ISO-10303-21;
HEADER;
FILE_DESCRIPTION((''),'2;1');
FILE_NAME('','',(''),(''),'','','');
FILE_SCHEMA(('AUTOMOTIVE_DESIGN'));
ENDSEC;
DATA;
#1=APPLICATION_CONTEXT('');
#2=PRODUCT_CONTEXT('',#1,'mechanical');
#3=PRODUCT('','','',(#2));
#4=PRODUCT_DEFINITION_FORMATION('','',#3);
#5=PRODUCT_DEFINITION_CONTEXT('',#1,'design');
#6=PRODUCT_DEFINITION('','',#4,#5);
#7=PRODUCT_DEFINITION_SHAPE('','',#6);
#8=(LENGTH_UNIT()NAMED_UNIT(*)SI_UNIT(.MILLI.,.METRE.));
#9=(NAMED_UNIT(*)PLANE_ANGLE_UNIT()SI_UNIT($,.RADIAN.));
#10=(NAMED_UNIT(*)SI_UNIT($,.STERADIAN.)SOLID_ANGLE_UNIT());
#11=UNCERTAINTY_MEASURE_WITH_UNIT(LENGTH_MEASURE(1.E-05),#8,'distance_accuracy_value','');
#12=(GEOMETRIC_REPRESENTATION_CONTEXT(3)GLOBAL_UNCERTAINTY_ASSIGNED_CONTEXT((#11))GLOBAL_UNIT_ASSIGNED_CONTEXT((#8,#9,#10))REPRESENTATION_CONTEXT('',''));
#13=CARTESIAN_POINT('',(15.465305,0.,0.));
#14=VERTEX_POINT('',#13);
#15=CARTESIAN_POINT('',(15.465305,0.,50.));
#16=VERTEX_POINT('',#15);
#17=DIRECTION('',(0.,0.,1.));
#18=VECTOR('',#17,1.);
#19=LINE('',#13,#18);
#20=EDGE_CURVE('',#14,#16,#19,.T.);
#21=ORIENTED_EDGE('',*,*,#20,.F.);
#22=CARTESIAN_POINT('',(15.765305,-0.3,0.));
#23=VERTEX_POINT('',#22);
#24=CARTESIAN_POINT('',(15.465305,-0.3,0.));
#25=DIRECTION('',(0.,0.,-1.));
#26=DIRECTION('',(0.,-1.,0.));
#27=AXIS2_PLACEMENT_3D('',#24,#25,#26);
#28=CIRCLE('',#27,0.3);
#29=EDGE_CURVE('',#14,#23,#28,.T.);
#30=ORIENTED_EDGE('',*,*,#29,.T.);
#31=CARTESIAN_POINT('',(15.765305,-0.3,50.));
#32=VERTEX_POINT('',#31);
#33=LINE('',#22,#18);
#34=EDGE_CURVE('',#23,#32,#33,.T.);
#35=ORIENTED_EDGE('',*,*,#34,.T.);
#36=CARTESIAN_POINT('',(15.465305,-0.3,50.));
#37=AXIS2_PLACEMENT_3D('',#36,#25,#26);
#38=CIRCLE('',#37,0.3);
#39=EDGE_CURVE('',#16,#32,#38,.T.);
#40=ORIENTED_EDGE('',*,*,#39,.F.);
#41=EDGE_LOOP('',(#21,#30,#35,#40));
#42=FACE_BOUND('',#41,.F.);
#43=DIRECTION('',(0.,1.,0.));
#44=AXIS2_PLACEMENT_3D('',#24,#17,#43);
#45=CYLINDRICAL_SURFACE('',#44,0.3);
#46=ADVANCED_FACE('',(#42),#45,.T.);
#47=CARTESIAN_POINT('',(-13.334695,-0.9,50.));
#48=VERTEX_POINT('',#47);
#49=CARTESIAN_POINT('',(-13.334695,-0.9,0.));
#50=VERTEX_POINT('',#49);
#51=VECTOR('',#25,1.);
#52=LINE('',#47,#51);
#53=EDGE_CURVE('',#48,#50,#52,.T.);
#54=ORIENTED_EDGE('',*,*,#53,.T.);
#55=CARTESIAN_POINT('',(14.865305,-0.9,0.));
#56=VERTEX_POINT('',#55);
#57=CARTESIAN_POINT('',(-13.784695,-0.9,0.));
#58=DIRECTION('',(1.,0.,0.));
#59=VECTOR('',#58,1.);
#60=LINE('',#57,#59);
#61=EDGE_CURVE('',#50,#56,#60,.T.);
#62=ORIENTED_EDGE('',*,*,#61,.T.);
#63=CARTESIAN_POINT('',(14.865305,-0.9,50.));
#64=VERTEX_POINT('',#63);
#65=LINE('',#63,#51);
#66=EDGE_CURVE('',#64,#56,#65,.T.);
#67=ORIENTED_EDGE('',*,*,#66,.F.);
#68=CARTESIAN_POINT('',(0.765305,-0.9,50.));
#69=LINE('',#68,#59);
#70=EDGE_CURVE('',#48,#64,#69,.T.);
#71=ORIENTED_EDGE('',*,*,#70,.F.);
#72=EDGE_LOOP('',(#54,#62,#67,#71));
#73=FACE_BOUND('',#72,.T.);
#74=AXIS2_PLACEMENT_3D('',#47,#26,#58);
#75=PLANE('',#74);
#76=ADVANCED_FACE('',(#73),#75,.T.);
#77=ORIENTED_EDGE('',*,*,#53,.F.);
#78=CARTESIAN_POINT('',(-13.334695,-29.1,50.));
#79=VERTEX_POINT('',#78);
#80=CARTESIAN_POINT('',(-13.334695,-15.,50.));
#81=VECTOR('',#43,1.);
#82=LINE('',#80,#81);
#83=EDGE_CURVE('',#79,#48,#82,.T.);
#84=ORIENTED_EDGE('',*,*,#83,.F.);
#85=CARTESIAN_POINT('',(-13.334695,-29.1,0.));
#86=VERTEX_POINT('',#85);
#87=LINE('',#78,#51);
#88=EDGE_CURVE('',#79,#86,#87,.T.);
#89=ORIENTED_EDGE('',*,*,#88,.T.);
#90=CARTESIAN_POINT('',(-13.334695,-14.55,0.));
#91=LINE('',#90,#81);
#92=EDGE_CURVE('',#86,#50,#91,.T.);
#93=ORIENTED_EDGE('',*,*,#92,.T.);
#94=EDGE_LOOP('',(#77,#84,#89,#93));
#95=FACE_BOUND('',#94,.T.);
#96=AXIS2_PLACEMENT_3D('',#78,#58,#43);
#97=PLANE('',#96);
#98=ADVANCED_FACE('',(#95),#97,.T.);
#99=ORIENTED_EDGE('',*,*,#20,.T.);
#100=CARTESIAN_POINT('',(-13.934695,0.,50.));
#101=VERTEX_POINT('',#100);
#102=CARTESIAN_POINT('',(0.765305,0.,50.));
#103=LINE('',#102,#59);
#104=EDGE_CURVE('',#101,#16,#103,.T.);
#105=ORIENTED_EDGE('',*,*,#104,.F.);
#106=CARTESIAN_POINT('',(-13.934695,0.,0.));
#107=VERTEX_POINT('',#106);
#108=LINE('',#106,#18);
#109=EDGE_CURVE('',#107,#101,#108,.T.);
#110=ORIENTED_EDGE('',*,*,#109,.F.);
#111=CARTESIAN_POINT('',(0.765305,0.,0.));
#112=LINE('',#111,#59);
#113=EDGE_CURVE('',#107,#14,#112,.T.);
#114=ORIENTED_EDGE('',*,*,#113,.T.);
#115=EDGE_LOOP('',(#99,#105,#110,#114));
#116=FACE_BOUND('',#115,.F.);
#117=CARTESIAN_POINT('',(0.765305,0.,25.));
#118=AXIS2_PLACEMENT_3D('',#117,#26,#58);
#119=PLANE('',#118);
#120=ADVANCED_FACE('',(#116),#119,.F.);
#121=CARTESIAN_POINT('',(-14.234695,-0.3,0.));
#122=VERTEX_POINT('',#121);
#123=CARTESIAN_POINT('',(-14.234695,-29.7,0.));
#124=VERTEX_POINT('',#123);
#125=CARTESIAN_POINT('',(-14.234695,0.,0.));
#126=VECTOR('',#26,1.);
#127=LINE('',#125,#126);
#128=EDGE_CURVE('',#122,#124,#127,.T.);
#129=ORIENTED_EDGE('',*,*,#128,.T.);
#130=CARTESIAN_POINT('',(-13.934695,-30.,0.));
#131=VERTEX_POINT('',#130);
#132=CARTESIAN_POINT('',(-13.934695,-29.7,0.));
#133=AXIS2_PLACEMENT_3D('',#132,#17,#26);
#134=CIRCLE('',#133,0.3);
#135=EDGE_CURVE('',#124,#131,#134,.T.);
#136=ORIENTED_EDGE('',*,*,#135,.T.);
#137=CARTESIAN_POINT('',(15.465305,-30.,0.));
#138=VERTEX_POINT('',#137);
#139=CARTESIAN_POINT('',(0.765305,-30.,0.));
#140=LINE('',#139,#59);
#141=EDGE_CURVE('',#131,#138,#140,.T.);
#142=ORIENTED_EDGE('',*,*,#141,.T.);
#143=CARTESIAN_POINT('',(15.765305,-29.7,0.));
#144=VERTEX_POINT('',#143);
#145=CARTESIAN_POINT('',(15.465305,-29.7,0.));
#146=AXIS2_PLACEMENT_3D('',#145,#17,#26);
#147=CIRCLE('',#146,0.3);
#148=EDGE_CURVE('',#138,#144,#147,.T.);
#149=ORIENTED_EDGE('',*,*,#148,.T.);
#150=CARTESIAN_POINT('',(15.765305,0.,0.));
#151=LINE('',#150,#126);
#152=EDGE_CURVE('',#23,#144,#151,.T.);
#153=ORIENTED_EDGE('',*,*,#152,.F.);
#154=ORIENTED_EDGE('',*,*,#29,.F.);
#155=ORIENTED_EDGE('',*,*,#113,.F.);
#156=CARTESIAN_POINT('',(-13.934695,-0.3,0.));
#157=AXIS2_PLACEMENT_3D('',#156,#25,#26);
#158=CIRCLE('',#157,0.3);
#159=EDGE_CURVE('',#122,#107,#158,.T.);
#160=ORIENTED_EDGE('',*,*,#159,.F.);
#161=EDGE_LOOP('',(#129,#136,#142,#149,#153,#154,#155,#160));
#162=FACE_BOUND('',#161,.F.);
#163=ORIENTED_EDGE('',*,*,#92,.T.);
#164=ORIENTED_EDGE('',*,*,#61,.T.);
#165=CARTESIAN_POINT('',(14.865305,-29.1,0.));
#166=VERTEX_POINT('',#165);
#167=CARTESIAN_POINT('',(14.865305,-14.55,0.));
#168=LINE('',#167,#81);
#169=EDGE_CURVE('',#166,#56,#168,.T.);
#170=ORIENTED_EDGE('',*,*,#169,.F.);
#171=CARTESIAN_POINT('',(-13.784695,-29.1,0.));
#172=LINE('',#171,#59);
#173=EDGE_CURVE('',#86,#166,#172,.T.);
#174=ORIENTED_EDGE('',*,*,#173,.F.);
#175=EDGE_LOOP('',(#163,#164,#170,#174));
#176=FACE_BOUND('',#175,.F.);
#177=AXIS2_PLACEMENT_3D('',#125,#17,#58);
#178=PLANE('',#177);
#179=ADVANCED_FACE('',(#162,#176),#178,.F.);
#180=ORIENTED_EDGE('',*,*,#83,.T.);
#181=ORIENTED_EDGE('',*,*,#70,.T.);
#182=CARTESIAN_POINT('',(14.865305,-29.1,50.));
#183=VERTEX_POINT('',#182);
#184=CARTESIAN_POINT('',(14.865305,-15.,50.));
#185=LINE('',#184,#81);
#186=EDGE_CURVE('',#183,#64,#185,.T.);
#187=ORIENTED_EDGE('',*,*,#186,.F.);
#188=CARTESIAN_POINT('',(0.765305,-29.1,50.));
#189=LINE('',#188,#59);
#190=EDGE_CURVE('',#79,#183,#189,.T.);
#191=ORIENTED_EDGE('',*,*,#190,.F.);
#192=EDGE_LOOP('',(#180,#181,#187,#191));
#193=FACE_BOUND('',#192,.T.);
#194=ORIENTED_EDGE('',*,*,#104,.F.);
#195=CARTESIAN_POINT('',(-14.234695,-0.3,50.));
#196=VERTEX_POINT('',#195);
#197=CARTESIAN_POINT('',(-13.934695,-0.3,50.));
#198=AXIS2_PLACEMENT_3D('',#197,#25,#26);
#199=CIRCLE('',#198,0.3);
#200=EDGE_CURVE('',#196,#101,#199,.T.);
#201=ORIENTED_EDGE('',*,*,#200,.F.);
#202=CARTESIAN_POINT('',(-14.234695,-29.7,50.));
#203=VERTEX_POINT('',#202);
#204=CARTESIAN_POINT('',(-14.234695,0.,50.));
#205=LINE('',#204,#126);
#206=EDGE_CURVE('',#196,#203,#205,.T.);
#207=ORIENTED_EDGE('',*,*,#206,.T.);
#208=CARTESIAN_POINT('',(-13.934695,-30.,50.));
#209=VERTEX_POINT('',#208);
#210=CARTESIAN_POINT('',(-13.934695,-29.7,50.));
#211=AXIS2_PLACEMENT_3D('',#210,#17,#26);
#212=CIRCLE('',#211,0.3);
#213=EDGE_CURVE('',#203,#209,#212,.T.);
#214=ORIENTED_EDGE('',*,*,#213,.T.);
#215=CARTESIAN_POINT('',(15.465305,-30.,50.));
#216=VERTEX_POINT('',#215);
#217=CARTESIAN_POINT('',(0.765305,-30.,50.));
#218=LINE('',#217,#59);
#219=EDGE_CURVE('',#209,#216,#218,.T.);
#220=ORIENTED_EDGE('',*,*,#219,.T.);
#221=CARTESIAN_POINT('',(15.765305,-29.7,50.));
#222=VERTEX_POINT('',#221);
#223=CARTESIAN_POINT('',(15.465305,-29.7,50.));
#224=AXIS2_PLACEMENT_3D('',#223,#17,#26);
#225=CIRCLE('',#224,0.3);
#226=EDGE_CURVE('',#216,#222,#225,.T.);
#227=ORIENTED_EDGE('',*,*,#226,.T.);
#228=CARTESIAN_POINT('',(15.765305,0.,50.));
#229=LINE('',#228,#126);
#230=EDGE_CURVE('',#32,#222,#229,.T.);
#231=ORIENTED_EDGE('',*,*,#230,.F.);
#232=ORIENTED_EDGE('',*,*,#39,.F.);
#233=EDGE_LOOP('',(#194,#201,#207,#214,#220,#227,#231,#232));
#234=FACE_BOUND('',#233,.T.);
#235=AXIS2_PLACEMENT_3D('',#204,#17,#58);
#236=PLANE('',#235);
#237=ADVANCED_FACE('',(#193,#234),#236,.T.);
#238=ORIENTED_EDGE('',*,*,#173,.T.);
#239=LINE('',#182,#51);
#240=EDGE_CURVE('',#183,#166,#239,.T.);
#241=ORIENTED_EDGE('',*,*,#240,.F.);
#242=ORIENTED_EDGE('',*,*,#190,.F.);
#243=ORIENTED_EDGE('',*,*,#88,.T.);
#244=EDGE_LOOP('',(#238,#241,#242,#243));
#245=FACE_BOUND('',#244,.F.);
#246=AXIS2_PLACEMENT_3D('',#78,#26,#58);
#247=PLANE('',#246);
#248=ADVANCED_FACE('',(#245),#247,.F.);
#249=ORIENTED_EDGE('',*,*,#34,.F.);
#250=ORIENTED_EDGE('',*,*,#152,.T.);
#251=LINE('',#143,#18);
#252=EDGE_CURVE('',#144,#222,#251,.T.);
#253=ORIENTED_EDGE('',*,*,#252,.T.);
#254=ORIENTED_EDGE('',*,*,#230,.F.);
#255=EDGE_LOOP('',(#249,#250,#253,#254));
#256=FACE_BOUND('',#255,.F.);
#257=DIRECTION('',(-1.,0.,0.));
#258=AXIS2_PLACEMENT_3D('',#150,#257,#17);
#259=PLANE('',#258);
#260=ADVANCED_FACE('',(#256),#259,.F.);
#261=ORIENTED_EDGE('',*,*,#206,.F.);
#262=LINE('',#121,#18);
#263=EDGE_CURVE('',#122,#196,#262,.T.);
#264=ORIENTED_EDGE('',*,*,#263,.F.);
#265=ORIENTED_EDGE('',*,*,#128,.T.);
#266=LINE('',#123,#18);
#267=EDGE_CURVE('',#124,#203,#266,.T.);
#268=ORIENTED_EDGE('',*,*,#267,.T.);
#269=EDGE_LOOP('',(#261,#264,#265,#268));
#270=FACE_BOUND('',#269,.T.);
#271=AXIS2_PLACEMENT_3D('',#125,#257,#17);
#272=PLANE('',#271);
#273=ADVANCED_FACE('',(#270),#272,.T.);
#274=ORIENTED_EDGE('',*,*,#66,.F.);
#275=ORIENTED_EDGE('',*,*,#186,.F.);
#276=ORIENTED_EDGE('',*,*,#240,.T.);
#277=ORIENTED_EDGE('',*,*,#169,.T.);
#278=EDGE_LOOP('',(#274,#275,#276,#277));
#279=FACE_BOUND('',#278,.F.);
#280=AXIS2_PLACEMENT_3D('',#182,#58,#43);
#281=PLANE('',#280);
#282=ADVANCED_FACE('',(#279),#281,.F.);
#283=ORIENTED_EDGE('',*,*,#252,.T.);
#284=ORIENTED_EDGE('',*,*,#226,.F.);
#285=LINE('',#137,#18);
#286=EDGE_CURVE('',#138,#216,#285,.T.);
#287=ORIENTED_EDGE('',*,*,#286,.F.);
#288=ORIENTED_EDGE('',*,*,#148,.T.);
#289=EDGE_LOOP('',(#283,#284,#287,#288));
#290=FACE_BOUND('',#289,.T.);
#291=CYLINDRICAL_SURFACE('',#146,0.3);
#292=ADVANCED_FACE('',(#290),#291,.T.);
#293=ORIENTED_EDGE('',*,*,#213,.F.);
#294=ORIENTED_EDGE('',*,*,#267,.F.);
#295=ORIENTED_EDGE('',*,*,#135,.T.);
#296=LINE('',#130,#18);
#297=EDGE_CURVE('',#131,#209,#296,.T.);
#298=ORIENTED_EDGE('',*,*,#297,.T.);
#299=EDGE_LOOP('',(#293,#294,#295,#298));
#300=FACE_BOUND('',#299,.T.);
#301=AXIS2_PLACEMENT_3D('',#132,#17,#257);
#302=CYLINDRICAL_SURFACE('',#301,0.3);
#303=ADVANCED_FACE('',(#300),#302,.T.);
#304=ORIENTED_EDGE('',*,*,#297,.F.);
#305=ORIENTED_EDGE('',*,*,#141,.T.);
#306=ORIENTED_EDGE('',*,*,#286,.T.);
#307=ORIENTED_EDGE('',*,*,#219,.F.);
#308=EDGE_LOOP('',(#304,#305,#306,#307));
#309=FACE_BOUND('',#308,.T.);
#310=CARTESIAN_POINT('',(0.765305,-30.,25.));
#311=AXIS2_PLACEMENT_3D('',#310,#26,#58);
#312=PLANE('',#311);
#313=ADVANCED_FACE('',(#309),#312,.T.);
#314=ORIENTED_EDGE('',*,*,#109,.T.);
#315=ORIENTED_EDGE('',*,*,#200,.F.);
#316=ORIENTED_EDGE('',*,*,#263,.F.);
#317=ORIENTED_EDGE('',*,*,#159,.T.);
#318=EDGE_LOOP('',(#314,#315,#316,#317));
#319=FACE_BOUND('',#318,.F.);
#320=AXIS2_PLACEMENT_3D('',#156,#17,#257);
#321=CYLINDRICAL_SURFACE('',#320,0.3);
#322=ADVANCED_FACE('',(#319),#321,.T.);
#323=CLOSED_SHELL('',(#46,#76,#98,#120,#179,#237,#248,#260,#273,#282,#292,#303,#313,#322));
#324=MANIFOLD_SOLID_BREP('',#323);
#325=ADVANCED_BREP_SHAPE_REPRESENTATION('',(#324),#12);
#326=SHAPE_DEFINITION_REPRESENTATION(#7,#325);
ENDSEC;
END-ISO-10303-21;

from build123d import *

# Parameters (mm, degrees)
F0_W     = 30
F0_H     = 50
F1_DEPTH = 30
F2_W     = 28.2
F2_H     = 28.2
F3_DEPTH = 50.001
F4_R     = 0.3


with BuildPart() as f1:
    # F0 (on Front) → F1 (new body)
    with BuildSketch(Plane.XZ):
        with Locations((0.765305, 25)):
            Rectangle(F0_W, F0_H)
    extrude(amount=F1_DEPTH)

    # F2 (on face) → F3 (cut, through all)
    with BuildSketch(Plane.XY.offset(50)):
        with Locations((0.765305, -15)):
            Rectangle(F2_W, F2_H)
    extrude(amount=-F3_DEPTH, mode=Mode.SUBTRACT)

    # F4
    f4_edges = [f1.edges().sort_by_distance(p)[0] for p in [
        (15.765305, -30, 25),
        (15.765305, 0, 25),
        (-14.234695, 0, 25),
        (-14.234695, -30, 25),
    ]]
    fillet(f4_edges, radius=F4_R)


solid = f1.part
